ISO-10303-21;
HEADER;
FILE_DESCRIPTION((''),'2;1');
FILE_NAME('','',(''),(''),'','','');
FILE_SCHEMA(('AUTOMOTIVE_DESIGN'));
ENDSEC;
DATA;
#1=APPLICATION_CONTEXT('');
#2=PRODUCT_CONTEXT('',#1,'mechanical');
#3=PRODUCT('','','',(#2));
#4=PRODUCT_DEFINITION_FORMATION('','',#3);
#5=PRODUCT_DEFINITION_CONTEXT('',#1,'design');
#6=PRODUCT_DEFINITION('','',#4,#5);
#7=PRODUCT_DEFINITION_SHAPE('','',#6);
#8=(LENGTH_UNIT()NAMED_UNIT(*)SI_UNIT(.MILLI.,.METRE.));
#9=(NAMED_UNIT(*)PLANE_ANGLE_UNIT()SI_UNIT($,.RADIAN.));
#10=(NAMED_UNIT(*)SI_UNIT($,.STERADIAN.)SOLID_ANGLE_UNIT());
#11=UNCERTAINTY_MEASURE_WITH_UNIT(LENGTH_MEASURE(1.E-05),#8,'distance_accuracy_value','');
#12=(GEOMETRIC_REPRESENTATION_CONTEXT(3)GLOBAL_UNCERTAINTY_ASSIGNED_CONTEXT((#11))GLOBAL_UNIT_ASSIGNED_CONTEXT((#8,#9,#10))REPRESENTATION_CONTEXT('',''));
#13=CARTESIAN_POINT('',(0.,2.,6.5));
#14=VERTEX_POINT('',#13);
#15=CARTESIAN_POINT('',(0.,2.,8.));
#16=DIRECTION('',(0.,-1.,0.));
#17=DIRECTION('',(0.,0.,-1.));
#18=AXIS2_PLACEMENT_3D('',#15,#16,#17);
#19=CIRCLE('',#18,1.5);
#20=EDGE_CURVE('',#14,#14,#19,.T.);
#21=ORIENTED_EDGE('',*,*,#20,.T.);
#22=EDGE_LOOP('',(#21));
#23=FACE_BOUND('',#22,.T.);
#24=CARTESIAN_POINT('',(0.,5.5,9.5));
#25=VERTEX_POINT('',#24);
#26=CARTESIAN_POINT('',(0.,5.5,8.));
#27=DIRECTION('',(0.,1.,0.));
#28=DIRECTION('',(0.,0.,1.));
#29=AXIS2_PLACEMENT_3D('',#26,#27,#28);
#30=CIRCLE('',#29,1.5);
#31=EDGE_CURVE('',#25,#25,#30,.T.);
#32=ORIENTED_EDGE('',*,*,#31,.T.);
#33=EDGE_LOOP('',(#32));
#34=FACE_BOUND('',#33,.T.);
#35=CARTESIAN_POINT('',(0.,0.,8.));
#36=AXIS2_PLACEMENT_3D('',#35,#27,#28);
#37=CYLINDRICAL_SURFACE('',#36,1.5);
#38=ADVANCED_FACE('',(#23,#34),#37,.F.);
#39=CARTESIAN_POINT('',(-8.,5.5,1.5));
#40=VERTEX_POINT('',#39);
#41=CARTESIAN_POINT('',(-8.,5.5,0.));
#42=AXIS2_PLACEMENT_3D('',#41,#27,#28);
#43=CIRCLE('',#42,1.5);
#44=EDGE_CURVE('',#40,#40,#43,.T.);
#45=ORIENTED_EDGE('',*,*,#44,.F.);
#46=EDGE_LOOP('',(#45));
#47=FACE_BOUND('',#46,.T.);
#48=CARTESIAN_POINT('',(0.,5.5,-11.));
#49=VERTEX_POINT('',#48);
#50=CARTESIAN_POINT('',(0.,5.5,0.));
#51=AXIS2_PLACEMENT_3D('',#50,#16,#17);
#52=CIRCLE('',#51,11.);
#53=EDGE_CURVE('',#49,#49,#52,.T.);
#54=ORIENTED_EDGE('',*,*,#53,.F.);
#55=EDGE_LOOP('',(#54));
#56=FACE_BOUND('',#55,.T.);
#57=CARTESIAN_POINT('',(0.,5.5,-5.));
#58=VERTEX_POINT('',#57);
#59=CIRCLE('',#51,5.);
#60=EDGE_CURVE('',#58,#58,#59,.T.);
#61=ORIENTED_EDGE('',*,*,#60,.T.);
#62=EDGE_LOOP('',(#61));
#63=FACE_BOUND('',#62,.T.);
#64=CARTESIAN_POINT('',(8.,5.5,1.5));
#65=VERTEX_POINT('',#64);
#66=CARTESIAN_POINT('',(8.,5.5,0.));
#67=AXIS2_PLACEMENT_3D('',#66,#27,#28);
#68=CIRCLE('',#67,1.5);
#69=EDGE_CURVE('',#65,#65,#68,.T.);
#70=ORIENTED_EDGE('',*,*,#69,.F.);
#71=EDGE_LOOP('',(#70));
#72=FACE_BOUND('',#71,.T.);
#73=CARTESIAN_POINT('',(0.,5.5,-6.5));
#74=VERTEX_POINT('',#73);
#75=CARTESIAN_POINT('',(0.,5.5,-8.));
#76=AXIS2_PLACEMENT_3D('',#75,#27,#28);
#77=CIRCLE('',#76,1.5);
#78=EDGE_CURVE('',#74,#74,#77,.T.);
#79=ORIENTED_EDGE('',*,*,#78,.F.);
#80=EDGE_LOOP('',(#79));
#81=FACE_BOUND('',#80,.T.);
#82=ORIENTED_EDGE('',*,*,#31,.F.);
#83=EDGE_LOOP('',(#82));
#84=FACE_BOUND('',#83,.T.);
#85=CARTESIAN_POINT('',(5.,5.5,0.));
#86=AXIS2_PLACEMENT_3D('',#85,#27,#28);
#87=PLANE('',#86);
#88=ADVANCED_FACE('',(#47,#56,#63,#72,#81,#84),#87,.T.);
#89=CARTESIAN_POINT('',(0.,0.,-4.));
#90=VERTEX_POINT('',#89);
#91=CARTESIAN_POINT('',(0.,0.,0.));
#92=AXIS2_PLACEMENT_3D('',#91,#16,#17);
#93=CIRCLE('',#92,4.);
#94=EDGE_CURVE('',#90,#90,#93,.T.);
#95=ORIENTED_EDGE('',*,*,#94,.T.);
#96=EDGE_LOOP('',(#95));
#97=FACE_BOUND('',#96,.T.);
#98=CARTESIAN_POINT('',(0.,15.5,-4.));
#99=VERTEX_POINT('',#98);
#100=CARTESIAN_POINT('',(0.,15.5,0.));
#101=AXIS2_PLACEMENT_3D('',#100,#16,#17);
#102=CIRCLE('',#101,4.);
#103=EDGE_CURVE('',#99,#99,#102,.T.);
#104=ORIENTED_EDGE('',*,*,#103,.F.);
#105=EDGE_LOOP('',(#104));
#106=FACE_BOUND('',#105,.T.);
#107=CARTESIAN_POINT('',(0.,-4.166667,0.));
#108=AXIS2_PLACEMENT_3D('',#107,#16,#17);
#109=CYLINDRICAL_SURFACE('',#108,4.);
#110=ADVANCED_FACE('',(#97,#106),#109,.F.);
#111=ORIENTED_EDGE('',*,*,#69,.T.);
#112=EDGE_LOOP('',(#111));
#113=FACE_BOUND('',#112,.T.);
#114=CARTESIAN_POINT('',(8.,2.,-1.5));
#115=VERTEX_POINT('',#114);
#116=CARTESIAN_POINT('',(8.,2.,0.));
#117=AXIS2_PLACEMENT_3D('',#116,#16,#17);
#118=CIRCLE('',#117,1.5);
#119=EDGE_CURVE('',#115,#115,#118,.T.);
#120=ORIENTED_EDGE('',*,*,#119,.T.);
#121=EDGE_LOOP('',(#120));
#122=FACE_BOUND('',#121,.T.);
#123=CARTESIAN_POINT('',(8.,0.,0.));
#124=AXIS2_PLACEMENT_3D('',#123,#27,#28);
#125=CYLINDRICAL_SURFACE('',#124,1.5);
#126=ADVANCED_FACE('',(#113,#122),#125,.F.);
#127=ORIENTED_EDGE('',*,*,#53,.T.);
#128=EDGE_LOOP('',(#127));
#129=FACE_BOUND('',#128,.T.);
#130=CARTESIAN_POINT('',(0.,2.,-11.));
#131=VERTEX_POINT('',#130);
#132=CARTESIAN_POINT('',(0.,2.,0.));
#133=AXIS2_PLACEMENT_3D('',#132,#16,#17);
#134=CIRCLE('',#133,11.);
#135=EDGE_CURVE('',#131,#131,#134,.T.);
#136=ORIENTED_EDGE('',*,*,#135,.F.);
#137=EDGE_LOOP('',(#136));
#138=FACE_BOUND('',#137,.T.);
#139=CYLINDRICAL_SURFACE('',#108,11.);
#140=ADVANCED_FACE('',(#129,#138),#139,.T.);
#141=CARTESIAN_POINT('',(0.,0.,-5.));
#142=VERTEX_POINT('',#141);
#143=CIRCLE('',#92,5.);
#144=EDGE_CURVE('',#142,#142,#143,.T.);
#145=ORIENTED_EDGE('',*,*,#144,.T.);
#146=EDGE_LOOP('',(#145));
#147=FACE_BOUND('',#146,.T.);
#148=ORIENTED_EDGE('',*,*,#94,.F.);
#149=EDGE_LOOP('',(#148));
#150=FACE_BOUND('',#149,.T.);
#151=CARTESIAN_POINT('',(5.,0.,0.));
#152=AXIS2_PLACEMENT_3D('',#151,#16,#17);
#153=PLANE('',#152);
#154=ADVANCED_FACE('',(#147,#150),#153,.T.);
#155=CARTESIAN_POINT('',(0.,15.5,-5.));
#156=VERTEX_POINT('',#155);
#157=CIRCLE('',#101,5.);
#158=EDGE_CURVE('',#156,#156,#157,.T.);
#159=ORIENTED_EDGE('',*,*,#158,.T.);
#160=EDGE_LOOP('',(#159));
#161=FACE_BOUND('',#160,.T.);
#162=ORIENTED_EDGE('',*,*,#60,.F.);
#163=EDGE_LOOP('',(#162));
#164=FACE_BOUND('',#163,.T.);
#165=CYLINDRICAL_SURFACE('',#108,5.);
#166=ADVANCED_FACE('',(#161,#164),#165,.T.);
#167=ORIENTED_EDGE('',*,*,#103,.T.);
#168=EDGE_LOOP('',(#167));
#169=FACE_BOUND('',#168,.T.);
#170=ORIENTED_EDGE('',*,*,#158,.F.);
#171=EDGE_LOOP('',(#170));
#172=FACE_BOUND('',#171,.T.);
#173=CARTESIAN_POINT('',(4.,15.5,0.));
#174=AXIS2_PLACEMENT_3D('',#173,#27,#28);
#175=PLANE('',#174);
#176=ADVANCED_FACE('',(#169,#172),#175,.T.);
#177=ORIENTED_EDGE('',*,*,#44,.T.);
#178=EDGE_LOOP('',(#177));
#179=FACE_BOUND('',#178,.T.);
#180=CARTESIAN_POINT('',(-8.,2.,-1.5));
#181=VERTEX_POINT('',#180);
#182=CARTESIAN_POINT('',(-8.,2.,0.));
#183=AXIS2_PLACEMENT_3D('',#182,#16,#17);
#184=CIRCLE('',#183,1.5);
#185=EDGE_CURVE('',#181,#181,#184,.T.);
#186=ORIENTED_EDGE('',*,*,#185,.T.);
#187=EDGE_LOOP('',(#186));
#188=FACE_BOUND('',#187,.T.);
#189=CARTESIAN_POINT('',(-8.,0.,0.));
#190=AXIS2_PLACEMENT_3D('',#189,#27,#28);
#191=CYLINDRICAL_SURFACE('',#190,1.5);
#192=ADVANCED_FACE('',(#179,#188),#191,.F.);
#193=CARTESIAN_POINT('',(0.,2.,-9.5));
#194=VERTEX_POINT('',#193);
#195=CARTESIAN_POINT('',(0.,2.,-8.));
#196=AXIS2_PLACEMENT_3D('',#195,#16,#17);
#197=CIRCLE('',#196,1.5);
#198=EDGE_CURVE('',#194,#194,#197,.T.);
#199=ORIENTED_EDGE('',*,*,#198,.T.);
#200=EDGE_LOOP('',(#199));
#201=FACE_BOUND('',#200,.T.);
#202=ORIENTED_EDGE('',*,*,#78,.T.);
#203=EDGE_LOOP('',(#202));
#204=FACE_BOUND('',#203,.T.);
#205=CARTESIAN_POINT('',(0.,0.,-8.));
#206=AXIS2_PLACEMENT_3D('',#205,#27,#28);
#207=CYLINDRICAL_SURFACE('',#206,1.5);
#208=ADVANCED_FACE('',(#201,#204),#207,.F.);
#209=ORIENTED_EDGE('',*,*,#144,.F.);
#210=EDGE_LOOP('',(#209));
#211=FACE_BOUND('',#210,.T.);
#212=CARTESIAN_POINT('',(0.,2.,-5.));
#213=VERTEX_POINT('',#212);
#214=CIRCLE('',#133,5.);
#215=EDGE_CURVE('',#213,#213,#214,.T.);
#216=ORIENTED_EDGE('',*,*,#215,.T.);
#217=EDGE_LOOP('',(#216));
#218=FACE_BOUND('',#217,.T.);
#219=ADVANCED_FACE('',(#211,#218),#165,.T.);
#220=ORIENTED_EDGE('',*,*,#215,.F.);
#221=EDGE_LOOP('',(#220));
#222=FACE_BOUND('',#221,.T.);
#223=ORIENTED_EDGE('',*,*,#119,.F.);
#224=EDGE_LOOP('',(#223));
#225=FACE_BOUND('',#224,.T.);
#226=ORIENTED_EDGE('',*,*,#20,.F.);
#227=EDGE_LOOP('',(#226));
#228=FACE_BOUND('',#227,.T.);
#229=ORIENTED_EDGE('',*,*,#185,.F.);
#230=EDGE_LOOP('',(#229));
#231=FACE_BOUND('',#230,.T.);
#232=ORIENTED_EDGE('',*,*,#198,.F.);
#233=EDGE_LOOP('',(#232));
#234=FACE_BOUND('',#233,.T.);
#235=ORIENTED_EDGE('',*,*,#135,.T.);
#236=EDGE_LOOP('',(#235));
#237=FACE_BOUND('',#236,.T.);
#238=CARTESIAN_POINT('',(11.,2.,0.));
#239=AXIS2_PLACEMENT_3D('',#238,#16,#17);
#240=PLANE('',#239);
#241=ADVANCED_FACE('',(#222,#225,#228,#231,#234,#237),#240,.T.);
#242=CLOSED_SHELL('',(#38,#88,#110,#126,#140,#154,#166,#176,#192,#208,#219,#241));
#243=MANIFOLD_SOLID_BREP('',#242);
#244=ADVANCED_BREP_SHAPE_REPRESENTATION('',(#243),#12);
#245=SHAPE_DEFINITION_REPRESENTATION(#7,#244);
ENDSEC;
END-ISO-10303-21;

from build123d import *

# Parameters (mm, degrees)
SKETCH_2_R          = 1.5
CUT_EXTRUDE_1_DEPTH = 19.493242009


with BuildPart() as part:
    # 草图1 → 旋转1 (revolve)
    with BuildSketch(Plane.XY, mode=Mode.PRIVATE) as revolve_1_sk:
        Polygon((4, 0), (4, 15.5), (5, 15.5), (5, 5.5), (11, 5.5), (11, 2), (5, 2), (5, 0), align=None)
    revolve(revolve_1_sk.sketch.rotate(Axis((0, -4.166666667, 0), (0, 1, 0)), 90), axis=Axis((0, -4.166666667, 0), (0, 1, 0)))

    # 草图2 → 切除-拉伸1 (cut, through all)
    with BuildSketch(Plane(origin=(0, 5.5, 0), x_dir=(1, 0, 0), z_dir=(0, 1, 0))):
        with Locations(Location((0, 8, 0), (0, 0, 270))):
            Circle(SKETCH_2_R)
        with Locations(Location((8, 0, 0), (0, 0, 270))):
            Circle(SKETCH_2_R)
        with Locations(Location((0, -8, 0), (0, 0, 270))):
            Circle(SKETCH_2_R)
        with Locations(Location((-8, 0, 0), (0, 0, 270))):
            Circle(SKETCH_2_R)
    extrude(amount=-CUT_EXTRUDE_1_DEPTH, mode=Mode.SUBTRACT)


solid = part.part
